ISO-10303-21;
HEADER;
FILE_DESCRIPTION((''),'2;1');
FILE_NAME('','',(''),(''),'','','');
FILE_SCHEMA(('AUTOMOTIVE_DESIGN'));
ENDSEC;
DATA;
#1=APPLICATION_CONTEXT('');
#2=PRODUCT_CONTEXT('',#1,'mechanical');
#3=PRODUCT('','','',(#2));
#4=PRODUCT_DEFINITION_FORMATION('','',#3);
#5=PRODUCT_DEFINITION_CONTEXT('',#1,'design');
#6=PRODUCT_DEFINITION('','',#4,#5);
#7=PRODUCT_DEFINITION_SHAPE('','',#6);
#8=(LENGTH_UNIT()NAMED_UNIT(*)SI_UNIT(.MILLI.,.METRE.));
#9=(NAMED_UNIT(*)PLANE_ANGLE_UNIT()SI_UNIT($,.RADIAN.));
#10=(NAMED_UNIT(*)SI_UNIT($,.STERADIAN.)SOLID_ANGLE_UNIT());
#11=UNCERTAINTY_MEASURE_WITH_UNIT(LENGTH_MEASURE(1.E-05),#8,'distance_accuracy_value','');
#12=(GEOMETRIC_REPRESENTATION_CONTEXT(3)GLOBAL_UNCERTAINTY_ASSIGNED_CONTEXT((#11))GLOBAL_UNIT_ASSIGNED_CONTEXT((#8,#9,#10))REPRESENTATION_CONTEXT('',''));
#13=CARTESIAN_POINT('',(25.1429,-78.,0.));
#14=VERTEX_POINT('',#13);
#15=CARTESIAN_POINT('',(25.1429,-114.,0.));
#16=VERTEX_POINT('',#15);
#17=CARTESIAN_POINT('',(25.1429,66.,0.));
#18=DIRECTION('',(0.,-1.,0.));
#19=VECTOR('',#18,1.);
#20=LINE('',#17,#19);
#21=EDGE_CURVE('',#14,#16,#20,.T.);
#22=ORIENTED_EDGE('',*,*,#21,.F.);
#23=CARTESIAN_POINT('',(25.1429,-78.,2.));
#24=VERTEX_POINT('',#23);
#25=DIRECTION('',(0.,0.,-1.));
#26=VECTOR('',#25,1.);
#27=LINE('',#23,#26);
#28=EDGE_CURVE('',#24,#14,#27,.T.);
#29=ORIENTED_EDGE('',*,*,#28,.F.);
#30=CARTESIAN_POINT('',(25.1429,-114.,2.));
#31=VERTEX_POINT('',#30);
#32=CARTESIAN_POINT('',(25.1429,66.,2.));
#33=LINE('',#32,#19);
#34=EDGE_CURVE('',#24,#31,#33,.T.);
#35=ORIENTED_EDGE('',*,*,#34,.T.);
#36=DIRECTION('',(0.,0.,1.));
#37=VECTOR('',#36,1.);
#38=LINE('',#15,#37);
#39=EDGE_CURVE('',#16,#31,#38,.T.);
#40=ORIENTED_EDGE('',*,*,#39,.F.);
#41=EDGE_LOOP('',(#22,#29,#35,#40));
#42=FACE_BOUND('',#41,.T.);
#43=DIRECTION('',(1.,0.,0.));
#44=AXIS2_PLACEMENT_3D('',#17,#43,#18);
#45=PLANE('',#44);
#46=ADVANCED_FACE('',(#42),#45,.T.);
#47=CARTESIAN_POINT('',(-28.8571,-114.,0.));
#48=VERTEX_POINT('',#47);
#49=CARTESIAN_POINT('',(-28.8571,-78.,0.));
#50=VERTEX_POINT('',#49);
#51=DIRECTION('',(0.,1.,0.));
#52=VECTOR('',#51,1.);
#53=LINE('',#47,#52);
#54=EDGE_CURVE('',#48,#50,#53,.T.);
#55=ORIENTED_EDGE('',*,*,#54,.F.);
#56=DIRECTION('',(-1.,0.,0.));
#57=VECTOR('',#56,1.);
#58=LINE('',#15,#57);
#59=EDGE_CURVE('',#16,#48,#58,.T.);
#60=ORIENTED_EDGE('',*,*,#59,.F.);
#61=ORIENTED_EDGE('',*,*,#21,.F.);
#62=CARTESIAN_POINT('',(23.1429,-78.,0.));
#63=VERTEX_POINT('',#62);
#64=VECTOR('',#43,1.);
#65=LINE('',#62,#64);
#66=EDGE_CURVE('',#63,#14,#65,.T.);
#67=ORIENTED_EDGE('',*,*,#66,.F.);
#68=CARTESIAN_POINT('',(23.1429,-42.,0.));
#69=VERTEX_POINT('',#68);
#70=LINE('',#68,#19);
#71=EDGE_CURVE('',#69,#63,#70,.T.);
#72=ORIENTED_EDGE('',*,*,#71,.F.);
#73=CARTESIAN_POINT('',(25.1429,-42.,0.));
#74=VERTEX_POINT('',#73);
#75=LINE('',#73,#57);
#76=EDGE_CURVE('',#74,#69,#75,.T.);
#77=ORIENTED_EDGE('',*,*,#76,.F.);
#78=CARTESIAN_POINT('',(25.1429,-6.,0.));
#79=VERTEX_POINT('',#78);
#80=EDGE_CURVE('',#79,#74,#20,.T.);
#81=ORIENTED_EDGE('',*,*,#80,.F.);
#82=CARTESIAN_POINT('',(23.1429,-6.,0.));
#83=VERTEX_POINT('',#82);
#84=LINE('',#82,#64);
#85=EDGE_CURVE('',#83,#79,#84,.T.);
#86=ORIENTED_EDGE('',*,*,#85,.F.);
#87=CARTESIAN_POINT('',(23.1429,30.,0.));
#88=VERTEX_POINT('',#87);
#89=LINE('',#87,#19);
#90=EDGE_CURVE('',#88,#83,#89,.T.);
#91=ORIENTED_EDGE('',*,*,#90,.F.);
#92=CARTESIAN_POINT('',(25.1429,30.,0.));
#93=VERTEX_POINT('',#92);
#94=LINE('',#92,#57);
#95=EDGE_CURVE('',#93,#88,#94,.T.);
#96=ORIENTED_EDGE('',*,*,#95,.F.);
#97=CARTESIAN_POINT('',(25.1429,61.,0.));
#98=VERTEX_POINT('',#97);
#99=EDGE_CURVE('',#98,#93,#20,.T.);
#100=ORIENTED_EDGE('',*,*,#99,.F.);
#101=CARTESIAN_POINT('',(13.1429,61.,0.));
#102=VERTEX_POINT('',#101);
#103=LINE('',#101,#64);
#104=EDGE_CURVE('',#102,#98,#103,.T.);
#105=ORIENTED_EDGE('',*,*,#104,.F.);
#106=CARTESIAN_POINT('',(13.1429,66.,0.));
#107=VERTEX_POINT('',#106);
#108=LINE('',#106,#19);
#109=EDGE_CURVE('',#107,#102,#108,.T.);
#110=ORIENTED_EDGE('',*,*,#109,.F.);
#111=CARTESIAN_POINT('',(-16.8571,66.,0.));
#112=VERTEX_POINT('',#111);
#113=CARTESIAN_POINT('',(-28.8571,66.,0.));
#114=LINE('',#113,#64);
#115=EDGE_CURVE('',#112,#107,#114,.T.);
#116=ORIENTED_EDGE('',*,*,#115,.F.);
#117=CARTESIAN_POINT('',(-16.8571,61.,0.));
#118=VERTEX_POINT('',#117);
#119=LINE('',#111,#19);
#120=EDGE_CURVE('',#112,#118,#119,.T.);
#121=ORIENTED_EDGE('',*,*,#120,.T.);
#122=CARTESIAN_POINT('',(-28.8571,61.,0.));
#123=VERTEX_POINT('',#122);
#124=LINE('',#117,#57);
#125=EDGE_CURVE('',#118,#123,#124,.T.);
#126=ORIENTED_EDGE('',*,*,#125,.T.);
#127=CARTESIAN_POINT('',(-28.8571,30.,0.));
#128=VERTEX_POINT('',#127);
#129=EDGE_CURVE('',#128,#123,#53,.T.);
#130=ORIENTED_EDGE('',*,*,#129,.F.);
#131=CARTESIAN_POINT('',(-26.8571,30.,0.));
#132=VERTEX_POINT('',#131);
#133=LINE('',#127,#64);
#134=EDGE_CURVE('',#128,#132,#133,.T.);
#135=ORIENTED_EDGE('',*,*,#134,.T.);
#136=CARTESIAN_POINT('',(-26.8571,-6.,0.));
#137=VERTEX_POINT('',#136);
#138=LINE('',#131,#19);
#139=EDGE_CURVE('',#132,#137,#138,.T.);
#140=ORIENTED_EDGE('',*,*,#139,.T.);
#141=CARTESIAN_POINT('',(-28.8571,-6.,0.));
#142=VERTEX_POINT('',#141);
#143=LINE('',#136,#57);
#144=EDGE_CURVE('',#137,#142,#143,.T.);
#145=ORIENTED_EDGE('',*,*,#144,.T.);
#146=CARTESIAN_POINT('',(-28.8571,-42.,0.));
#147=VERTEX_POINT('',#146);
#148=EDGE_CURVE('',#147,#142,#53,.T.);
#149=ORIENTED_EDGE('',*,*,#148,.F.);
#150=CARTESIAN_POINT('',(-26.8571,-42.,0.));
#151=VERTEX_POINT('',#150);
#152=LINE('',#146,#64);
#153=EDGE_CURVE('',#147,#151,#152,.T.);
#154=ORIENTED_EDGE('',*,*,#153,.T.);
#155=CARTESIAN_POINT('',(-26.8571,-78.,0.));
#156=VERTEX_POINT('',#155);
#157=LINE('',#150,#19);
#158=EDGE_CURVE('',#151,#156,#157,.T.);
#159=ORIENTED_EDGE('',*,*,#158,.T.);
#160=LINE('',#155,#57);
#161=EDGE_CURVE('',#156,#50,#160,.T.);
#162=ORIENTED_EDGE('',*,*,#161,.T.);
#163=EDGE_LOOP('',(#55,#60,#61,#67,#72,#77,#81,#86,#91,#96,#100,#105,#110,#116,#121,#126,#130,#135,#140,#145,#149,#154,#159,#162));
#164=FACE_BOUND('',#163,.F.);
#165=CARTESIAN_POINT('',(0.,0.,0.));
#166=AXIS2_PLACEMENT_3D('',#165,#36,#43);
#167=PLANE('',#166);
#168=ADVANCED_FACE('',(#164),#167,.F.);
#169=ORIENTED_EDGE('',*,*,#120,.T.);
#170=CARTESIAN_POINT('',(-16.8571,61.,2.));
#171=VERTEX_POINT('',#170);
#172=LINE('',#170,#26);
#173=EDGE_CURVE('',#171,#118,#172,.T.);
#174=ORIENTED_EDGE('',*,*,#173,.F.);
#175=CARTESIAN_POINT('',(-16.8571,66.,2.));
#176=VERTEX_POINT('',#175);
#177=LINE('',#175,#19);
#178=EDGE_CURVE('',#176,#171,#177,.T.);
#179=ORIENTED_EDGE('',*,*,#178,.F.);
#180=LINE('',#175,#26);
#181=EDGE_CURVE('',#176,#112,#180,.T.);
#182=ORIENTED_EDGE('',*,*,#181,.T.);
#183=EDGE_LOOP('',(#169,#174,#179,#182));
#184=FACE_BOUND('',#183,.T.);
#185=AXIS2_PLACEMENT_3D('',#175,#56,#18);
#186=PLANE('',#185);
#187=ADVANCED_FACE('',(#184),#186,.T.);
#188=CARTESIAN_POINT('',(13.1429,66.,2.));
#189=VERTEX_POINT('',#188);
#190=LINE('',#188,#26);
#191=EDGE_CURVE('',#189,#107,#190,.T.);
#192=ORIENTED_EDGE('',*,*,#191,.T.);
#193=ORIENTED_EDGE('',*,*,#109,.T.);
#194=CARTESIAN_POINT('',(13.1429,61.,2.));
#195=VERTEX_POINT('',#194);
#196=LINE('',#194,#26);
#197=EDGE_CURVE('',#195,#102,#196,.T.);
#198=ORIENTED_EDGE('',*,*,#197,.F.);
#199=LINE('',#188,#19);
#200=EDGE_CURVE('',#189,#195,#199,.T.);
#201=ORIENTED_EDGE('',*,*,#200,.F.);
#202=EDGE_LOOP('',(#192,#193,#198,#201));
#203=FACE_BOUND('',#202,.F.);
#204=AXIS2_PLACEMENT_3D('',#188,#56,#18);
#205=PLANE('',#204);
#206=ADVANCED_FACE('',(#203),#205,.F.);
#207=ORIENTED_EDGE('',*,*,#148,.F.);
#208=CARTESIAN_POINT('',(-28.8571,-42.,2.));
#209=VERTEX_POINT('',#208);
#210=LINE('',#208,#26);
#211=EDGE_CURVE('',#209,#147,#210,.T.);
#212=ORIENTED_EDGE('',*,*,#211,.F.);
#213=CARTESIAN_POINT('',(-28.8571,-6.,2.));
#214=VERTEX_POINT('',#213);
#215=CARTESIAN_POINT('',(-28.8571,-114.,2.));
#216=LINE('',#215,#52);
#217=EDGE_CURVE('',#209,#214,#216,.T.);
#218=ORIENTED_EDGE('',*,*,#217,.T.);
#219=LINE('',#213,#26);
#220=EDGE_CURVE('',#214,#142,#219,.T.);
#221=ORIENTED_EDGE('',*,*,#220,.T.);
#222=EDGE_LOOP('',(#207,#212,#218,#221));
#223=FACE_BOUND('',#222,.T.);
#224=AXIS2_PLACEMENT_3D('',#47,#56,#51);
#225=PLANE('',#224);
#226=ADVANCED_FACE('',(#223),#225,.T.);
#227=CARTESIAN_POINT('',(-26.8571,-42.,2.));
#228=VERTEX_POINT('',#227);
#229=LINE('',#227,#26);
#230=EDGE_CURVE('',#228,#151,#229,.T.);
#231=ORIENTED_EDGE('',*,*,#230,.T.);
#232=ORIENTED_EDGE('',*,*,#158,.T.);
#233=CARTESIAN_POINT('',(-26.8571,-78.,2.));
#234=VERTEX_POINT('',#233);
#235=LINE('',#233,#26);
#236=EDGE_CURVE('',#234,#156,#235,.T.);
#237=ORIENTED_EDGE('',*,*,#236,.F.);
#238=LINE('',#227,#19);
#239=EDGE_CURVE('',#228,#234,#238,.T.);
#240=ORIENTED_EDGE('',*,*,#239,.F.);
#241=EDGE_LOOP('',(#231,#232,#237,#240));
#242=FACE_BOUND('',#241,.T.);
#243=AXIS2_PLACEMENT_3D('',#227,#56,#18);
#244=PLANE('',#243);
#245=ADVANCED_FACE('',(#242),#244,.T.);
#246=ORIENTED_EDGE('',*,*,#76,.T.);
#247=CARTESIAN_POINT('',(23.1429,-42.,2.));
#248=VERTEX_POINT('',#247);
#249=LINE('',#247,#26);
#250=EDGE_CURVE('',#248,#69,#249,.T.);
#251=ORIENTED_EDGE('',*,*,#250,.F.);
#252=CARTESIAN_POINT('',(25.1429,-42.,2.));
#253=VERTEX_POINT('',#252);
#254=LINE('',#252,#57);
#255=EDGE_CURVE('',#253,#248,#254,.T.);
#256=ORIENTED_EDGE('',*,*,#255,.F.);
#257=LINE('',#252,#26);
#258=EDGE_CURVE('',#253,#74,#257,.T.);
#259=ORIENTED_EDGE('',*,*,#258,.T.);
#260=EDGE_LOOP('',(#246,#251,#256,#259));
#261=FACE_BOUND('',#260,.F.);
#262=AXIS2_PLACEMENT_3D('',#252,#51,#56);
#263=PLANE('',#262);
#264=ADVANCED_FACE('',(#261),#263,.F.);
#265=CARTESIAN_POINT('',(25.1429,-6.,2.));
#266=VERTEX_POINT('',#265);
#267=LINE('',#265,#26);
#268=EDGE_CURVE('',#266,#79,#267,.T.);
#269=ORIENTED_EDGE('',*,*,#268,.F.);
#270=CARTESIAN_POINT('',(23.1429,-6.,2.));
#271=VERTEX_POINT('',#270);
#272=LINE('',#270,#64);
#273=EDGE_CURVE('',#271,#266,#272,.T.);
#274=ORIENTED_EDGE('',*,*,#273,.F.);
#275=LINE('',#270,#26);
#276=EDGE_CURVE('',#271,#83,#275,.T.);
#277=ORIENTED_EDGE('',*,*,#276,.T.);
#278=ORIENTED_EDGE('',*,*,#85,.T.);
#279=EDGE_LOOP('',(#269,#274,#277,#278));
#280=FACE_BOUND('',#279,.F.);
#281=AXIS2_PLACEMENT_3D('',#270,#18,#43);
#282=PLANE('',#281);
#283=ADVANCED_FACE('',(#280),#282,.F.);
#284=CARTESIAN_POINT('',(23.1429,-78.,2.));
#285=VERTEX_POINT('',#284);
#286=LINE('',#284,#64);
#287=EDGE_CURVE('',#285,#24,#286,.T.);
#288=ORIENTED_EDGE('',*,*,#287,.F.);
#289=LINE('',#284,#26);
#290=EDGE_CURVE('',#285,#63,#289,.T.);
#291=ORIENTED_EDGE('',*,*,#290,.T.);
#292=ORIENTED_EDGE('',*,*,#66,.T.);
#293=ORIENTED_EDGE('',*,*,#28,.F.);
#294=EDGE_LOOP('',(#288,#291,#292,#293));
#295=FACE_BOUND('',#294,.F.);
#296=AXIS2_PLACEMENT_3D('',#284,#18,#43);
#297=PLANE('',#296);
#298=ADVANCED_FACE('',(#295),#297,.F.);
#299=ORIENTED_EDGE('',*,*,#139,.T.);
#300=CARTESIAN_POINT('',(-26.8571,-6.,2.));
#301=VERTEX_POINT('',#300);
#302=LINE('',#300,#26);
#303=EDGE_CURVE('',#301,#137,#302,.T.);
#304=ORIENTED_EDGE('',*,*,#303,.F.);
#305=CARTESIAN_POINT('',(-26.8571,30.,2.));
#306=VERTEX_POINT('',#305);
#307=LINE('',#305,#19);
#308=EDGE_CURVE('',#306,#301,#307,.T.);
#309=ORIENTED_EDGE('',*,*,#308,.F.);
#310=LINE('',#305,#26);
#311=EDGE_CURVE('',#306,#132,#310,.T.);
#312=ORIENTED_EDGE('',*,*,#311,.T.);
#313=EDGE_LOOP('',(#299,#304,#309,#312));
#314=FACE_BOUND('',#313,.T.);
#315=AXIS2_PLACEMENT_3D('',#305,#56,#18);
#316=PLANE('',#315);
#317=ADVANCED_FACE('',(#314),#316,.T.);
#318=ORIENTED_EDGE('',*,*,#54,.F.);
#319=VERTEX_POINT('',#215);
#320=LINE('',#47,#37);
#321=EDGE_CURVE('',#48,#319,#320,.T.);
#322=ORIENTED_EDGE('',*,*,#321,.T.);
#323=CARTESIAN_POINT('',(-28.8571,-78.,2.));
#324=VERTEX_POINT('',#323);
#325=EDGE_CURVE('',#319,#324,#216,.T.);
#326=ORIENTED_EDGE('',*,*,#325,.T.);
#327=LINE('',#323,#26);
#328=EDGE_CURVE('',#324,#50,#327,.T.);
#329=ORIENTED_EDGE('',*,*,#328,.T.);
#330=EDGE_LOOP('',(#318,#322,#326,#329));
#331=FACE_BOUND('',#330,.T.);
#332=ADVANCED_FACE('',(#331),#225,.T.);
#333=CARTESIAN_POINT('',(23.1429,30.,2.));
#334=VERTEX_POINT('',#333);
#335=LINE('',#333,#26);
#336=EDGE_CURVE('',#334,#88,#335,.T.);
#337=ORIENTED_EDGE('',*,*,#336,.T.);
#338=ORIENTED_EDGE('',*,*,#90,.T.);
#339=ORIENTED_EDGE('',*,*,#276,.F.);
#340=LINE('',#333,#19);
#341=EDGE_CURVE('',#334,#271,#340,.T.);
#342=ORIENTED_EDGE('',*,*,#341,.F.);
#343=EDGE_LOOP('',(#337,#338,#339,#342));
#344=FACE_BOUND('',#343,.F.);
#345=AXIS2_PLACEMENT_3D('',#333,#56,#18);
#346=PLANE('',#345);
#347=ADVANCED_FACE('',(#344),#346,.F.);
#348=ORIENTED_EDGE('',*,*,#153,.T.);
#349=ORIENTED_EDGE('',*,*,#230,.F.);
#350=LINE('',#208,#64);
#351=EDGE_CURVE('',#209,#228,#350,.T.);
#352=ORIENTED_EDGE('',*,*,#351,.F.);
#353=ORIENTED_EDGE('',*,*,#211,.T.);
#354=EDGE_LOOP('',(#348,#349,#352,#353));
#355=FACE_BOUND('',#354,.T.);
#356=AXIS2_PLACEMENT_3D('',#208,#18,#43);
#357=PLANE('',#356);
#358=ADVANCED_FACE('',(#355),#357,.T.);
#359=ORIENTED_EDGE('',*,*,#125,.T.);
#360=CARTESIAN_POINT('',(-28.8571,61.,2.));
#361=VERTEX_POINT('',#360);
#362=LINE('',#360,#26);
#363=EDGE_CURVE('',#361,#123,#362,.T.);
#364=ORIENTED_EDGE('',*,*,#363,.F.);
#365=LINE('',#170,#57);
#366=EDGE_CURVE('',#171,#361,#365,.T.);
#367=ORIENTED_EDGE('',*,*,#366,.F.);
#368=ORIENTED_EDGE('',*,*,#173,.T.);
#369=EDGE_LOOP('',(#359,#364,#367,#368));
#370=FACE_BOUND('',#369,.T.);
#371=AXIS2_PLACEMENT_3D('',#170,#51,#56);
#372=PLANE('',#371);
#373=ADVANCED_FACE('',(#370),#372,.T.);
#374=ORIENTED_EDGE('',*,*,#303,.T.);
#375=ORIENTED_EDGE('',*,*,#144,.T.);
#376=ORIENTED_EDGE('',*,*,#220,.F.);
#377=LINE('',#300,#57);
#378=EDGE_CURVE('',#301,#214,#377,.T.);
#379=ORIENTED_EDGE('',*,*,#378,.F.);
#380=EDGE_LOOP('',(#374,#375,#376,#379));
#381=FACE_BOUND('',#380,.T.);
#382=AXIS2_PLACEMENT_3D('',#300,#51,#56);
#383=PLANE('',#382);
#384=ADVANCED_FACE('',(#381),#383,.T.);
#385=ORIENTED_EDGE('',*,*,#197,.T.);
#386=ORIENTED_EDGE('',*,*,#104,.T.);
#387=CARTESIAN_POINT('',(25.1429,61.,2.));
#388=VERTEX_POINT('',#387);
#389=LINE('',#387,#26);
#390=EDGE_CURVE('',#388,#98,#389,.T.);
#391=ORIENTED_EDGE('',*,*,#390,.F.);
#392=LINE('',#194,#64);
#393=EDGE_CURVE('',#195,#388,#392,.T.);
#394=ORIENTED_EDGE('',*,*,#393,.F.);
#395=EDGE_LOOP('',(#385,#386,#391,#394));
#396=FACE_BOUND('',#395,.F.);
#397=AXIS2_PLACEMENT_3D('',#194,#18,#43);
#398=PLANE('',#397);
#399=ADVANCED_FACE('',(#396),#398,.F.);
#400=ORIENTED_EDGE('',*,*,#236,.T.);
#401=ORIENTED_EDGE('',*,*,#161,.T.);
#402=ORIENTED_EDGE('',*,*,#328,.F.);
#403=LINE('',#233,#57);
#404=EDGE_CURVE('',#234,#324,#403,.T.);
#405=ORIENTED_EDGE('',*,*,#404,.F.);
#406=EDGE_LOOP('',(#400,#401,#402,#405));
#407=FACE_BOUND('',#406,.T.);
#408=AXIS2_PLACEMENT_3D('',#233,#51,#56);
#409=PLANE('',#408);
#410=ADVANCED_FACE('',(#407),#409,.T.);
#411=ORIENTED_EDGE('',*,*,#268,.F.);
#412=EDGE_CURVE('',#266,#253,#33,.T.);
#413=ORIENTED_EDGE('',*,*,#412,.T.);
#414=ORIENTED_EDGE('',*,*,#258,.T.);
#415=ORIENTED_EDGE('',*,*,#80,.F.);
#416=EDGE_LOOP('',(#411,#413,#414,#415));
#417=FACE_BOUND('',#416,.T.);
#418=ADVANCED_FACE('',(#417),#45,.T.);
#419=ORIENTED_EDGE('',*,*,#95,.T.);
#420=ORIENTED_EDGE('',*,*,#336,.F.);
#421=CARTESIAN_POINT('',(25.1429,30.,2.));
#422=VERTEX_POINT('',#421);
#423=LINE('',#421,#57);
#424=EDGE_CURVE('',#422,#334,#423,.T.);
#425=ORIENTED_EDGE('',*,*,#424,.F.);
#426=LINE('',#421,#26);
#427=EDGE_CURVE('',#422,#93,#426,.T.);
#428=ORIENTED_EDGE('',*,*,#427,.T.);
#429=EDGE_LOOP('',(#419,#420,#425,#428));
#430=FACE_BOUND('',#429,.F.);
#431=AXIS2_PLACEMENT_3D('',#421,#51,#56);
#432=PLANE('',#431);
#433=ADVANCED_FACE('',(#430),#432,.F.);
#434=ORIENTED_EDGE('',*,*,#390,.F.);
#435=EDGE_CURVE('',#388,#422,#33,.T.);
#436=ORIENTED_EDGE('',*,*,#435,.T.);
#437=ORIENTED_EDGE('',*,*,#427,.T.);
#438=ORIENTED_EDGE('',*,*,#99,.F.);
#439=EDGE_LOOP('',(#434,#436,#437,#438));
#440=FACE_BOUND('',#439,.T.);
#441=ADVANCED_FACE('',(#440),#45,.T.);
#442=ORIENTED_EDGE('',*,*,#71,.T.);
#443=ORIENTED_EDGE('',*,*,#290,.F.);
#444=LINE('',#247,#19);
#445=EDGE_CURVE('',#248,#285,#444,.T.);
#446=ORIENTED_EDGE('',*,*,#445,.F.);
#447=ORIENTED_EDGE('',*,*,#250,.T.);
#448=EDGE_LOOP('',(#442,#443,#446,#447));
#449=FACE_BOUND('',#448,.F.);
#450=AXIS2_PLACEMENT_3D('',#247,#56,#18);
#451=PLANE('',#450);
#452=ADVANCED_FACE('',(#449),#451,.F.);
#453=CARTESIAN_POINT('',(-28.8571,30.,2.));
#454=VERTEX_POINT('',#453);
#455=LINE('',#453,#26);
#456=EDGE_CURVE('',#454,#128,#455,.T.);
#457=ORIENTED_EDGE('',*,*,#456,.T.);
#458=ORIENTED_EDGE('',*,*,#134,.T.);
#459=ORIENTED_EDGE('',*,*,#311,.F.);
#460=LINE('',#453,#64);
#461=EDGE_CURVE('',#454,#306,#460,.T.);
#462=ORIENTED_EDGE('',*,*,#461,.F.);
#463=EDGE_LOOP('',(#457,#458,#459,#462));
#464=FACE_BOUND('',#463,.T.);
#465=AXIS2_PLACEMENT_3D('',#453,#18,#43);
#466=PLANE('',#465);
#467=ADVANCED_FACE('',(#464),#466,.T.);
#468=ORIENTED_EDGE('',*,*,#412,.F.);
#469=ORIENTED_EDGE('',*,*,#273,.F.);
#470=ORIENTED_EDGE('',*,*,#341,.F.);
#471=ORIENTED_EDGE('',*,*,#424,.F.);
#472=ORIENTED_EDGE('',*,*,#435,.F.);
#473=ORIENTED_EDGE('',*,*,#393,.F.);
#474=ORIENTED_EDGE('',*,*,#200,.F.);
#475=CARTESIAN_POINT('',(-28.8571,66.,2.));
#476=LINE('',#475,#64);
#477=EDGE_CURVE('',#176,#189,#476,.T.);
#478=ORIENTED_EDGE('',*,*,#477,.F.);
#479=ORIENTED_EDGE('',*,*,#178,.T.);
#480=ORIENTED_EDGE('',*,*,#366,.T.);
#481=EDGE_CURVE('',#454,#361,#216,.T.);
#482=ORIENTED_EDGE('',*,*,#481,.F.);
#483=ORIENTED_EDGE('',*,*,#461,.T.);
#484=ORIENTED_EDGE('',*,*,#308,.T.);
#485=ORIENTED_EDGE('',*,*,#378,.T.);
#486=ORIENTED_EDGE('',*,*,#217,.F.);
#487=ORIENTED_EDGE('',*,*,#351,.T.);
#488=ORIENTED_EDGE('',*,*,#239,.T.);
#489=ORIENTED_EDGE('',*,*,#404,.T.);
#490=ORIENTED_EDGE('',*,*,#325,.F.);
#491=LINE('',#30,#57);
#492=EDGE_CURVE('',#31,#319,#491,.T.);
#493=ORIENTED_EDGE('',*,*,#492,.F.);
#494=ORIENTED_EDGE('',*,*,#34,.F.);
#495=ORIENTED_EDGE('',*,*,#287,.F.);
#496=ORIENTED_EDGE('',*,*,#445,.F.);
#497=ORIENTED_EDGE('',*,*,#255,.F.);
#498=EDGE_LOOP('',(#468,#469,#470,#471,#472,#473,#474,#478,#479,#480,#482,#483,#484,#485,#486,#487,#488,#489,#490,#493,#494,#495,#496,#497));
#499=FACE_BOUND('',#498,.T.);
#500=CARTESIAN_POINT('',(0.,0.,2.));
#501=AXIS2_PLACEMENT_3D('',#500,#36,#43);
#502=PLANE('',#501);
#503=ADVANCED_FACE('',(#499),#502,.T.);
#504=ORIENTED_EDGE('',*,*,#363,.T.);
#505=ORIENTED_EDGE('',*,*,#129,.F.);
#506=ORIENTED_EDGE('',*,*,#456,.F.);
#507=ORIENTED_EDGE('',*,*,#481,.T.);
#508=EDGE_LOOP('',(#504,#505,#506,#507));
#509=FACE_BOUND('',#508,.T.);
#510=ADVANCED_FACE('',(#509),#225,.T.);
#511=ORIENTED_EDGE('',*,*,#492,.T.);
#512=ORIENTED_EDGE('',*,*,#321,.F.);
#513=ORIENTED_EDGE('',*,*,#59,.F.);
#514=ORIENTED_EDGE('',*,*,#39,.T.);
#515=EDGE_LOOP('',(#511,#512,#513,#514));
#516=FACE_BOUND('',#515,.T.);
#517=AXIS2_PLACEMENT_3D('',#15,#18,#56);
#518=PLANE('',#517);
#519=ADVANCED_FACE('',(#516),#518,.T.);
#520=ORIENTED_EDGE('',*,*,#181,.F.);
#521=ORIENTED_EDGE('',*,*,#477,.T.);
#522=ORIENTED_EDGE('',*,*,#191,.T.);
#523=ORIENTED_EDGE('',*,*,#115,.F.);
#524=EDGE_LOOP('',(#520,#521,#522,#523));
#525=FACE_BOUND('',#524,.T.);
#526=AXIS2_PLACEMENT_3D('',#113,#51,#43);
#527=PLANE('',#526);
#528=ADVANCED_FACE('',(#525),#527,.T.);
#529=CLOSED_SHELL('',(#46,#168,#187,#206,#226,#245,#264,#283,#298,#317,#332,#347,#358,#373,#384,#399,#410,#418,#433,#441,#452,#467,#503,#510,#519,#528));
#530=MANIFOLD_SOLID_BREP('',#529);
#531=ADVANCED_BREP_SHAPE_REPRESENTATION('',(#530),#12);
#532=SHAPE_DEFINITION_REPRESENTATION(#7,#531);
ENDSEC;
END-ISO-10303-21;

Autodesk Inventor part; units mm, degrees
ref_plane "YZ Plane" through (0, 0, 0) normal (1, 0, 0) x (0, 1, 0)
ref_plane "XZ Plane" through (0, 0, 0) normal (0, 1, 0) x (-1, 0, 0)
ref_plane "XY Plane" through (0, 0, 0) normal (0, 0, 1) x (1, 0, 0)
sketch "Sketch1" plane through (0, 0, 0) normal (0, 0, 1) x (1, 0, 0)
  line L0 (-28.8571, 66) -> (25.1429, 66)
  line L1 (25.1429, 66) -> (25.1429, -114)
  line L2 (25.1429, -114) -> (-28.8571, -114)
  line L3 (-28.8571, -114) -> (-28.8571, 66)
  point P0 (0, 0)
  dimension "d0" = 54
  dimension "d1" = 180
extrude "Extrusion1" add sketch "Sketch1" along normal blind 2
sketch "Sketch2" plane through (0, 0, 2) normal (0, 0, 1) x (1, 0, 0)
  line L0 (25.1429, 66) -> (-28.8571, 66) projected
  line L1 (-28.8571, 66) -> (-16.8571, 66)
  line L2 (-16.8571, 66) -> (-16.8571, 61)
  line L3 (-16.8571, 61) -> (-28.8571, 61)
  line L4 (-28.8571, 61) -> (-28.8571, 66)
  line L5 (25.1429, 66) -> (13.1429, 66)
  line L6 (13.1429, 66) -> (13.1429, 61)
  line L7 (13.1429, 61) -> (25.1429, 61)
  line L8 (25.1429, 61) -> (25.1429, 66)
  point P0 (0, 0)
  dimension "d4" = 12
  dimension "d5" = 12
  dimension "d6" = 5
extrude "Extrusion2" cut sketch "Sketch2" against normal blind 2
sketch "Sketch3" plane through (0, 0, 2) normal (0, 0, 1) x (1, 0, 0)
  line L0 (-28.8571, 61) -> (-28.8571, -114) projected
  line L1 (-28.8571, 30) -> (-26.8571, 30)
  line L2 (-26.8571, 30) -> (-26.8571, -6)
  line L3 (-26.8571, -6) -> (-28.8571, -6)
  line L4 (-28.8571, -6) -> (-28.8571, 30)
  line L5 (-28.8571, -42) -> (-26.8571, -42)
  line L6 (-26.8571, -42) -> (-26.8571, -78)
  line L7 (-26.8571, -78) -> (-28.8571, -78)
  line L8 (-28.8571, -78) -> (-28.8571, -42)
  line L9 (25.1429, -114) -> (25.1429, 61) projected
  line L10 (25.1429, 30) -> (23.1429, 30)
  line L11 (23.1429, 30) -> (23.1429, -6)
  line L12 (23.1429, -6) -> (25.1429, -6)
  line L13 (25.1429, -6) -> (25.1429, 30)
  line L14 (25.1429, -42) -> (23.1429, -42)
  line L15 (23.1429, -42) -> (23.1429, -78)
  line L16 (23.1429, -78) -> (25.1429, -78)
  line L17 (25.1429, -78) -> (25.1429, -42)
  line L18 (-16.8571, 61) -> (-28.8571, 61) projected
  line L19 (-28.8571, -114) -> (25.1429, -114) projected
  point P0 (0, 0)
  point P1 (-27.8571, 30)
  point P2 (-27.8571, -42)
  point P3 (-27.8571, -6)
  point P4 (-26.8571, -60)
  point P5 (-27.8571, -78)
  dimension "d10" = 36
  dimension "d11" = 36
  dimension "d12" = 2
  dimension "d13" = 2
  dimension "d14" = 36
  dimension "d15" = 36
extrude "Extrusion3" cut sketch "Sketch3" against normal blind 2
properties part number "front_side"
